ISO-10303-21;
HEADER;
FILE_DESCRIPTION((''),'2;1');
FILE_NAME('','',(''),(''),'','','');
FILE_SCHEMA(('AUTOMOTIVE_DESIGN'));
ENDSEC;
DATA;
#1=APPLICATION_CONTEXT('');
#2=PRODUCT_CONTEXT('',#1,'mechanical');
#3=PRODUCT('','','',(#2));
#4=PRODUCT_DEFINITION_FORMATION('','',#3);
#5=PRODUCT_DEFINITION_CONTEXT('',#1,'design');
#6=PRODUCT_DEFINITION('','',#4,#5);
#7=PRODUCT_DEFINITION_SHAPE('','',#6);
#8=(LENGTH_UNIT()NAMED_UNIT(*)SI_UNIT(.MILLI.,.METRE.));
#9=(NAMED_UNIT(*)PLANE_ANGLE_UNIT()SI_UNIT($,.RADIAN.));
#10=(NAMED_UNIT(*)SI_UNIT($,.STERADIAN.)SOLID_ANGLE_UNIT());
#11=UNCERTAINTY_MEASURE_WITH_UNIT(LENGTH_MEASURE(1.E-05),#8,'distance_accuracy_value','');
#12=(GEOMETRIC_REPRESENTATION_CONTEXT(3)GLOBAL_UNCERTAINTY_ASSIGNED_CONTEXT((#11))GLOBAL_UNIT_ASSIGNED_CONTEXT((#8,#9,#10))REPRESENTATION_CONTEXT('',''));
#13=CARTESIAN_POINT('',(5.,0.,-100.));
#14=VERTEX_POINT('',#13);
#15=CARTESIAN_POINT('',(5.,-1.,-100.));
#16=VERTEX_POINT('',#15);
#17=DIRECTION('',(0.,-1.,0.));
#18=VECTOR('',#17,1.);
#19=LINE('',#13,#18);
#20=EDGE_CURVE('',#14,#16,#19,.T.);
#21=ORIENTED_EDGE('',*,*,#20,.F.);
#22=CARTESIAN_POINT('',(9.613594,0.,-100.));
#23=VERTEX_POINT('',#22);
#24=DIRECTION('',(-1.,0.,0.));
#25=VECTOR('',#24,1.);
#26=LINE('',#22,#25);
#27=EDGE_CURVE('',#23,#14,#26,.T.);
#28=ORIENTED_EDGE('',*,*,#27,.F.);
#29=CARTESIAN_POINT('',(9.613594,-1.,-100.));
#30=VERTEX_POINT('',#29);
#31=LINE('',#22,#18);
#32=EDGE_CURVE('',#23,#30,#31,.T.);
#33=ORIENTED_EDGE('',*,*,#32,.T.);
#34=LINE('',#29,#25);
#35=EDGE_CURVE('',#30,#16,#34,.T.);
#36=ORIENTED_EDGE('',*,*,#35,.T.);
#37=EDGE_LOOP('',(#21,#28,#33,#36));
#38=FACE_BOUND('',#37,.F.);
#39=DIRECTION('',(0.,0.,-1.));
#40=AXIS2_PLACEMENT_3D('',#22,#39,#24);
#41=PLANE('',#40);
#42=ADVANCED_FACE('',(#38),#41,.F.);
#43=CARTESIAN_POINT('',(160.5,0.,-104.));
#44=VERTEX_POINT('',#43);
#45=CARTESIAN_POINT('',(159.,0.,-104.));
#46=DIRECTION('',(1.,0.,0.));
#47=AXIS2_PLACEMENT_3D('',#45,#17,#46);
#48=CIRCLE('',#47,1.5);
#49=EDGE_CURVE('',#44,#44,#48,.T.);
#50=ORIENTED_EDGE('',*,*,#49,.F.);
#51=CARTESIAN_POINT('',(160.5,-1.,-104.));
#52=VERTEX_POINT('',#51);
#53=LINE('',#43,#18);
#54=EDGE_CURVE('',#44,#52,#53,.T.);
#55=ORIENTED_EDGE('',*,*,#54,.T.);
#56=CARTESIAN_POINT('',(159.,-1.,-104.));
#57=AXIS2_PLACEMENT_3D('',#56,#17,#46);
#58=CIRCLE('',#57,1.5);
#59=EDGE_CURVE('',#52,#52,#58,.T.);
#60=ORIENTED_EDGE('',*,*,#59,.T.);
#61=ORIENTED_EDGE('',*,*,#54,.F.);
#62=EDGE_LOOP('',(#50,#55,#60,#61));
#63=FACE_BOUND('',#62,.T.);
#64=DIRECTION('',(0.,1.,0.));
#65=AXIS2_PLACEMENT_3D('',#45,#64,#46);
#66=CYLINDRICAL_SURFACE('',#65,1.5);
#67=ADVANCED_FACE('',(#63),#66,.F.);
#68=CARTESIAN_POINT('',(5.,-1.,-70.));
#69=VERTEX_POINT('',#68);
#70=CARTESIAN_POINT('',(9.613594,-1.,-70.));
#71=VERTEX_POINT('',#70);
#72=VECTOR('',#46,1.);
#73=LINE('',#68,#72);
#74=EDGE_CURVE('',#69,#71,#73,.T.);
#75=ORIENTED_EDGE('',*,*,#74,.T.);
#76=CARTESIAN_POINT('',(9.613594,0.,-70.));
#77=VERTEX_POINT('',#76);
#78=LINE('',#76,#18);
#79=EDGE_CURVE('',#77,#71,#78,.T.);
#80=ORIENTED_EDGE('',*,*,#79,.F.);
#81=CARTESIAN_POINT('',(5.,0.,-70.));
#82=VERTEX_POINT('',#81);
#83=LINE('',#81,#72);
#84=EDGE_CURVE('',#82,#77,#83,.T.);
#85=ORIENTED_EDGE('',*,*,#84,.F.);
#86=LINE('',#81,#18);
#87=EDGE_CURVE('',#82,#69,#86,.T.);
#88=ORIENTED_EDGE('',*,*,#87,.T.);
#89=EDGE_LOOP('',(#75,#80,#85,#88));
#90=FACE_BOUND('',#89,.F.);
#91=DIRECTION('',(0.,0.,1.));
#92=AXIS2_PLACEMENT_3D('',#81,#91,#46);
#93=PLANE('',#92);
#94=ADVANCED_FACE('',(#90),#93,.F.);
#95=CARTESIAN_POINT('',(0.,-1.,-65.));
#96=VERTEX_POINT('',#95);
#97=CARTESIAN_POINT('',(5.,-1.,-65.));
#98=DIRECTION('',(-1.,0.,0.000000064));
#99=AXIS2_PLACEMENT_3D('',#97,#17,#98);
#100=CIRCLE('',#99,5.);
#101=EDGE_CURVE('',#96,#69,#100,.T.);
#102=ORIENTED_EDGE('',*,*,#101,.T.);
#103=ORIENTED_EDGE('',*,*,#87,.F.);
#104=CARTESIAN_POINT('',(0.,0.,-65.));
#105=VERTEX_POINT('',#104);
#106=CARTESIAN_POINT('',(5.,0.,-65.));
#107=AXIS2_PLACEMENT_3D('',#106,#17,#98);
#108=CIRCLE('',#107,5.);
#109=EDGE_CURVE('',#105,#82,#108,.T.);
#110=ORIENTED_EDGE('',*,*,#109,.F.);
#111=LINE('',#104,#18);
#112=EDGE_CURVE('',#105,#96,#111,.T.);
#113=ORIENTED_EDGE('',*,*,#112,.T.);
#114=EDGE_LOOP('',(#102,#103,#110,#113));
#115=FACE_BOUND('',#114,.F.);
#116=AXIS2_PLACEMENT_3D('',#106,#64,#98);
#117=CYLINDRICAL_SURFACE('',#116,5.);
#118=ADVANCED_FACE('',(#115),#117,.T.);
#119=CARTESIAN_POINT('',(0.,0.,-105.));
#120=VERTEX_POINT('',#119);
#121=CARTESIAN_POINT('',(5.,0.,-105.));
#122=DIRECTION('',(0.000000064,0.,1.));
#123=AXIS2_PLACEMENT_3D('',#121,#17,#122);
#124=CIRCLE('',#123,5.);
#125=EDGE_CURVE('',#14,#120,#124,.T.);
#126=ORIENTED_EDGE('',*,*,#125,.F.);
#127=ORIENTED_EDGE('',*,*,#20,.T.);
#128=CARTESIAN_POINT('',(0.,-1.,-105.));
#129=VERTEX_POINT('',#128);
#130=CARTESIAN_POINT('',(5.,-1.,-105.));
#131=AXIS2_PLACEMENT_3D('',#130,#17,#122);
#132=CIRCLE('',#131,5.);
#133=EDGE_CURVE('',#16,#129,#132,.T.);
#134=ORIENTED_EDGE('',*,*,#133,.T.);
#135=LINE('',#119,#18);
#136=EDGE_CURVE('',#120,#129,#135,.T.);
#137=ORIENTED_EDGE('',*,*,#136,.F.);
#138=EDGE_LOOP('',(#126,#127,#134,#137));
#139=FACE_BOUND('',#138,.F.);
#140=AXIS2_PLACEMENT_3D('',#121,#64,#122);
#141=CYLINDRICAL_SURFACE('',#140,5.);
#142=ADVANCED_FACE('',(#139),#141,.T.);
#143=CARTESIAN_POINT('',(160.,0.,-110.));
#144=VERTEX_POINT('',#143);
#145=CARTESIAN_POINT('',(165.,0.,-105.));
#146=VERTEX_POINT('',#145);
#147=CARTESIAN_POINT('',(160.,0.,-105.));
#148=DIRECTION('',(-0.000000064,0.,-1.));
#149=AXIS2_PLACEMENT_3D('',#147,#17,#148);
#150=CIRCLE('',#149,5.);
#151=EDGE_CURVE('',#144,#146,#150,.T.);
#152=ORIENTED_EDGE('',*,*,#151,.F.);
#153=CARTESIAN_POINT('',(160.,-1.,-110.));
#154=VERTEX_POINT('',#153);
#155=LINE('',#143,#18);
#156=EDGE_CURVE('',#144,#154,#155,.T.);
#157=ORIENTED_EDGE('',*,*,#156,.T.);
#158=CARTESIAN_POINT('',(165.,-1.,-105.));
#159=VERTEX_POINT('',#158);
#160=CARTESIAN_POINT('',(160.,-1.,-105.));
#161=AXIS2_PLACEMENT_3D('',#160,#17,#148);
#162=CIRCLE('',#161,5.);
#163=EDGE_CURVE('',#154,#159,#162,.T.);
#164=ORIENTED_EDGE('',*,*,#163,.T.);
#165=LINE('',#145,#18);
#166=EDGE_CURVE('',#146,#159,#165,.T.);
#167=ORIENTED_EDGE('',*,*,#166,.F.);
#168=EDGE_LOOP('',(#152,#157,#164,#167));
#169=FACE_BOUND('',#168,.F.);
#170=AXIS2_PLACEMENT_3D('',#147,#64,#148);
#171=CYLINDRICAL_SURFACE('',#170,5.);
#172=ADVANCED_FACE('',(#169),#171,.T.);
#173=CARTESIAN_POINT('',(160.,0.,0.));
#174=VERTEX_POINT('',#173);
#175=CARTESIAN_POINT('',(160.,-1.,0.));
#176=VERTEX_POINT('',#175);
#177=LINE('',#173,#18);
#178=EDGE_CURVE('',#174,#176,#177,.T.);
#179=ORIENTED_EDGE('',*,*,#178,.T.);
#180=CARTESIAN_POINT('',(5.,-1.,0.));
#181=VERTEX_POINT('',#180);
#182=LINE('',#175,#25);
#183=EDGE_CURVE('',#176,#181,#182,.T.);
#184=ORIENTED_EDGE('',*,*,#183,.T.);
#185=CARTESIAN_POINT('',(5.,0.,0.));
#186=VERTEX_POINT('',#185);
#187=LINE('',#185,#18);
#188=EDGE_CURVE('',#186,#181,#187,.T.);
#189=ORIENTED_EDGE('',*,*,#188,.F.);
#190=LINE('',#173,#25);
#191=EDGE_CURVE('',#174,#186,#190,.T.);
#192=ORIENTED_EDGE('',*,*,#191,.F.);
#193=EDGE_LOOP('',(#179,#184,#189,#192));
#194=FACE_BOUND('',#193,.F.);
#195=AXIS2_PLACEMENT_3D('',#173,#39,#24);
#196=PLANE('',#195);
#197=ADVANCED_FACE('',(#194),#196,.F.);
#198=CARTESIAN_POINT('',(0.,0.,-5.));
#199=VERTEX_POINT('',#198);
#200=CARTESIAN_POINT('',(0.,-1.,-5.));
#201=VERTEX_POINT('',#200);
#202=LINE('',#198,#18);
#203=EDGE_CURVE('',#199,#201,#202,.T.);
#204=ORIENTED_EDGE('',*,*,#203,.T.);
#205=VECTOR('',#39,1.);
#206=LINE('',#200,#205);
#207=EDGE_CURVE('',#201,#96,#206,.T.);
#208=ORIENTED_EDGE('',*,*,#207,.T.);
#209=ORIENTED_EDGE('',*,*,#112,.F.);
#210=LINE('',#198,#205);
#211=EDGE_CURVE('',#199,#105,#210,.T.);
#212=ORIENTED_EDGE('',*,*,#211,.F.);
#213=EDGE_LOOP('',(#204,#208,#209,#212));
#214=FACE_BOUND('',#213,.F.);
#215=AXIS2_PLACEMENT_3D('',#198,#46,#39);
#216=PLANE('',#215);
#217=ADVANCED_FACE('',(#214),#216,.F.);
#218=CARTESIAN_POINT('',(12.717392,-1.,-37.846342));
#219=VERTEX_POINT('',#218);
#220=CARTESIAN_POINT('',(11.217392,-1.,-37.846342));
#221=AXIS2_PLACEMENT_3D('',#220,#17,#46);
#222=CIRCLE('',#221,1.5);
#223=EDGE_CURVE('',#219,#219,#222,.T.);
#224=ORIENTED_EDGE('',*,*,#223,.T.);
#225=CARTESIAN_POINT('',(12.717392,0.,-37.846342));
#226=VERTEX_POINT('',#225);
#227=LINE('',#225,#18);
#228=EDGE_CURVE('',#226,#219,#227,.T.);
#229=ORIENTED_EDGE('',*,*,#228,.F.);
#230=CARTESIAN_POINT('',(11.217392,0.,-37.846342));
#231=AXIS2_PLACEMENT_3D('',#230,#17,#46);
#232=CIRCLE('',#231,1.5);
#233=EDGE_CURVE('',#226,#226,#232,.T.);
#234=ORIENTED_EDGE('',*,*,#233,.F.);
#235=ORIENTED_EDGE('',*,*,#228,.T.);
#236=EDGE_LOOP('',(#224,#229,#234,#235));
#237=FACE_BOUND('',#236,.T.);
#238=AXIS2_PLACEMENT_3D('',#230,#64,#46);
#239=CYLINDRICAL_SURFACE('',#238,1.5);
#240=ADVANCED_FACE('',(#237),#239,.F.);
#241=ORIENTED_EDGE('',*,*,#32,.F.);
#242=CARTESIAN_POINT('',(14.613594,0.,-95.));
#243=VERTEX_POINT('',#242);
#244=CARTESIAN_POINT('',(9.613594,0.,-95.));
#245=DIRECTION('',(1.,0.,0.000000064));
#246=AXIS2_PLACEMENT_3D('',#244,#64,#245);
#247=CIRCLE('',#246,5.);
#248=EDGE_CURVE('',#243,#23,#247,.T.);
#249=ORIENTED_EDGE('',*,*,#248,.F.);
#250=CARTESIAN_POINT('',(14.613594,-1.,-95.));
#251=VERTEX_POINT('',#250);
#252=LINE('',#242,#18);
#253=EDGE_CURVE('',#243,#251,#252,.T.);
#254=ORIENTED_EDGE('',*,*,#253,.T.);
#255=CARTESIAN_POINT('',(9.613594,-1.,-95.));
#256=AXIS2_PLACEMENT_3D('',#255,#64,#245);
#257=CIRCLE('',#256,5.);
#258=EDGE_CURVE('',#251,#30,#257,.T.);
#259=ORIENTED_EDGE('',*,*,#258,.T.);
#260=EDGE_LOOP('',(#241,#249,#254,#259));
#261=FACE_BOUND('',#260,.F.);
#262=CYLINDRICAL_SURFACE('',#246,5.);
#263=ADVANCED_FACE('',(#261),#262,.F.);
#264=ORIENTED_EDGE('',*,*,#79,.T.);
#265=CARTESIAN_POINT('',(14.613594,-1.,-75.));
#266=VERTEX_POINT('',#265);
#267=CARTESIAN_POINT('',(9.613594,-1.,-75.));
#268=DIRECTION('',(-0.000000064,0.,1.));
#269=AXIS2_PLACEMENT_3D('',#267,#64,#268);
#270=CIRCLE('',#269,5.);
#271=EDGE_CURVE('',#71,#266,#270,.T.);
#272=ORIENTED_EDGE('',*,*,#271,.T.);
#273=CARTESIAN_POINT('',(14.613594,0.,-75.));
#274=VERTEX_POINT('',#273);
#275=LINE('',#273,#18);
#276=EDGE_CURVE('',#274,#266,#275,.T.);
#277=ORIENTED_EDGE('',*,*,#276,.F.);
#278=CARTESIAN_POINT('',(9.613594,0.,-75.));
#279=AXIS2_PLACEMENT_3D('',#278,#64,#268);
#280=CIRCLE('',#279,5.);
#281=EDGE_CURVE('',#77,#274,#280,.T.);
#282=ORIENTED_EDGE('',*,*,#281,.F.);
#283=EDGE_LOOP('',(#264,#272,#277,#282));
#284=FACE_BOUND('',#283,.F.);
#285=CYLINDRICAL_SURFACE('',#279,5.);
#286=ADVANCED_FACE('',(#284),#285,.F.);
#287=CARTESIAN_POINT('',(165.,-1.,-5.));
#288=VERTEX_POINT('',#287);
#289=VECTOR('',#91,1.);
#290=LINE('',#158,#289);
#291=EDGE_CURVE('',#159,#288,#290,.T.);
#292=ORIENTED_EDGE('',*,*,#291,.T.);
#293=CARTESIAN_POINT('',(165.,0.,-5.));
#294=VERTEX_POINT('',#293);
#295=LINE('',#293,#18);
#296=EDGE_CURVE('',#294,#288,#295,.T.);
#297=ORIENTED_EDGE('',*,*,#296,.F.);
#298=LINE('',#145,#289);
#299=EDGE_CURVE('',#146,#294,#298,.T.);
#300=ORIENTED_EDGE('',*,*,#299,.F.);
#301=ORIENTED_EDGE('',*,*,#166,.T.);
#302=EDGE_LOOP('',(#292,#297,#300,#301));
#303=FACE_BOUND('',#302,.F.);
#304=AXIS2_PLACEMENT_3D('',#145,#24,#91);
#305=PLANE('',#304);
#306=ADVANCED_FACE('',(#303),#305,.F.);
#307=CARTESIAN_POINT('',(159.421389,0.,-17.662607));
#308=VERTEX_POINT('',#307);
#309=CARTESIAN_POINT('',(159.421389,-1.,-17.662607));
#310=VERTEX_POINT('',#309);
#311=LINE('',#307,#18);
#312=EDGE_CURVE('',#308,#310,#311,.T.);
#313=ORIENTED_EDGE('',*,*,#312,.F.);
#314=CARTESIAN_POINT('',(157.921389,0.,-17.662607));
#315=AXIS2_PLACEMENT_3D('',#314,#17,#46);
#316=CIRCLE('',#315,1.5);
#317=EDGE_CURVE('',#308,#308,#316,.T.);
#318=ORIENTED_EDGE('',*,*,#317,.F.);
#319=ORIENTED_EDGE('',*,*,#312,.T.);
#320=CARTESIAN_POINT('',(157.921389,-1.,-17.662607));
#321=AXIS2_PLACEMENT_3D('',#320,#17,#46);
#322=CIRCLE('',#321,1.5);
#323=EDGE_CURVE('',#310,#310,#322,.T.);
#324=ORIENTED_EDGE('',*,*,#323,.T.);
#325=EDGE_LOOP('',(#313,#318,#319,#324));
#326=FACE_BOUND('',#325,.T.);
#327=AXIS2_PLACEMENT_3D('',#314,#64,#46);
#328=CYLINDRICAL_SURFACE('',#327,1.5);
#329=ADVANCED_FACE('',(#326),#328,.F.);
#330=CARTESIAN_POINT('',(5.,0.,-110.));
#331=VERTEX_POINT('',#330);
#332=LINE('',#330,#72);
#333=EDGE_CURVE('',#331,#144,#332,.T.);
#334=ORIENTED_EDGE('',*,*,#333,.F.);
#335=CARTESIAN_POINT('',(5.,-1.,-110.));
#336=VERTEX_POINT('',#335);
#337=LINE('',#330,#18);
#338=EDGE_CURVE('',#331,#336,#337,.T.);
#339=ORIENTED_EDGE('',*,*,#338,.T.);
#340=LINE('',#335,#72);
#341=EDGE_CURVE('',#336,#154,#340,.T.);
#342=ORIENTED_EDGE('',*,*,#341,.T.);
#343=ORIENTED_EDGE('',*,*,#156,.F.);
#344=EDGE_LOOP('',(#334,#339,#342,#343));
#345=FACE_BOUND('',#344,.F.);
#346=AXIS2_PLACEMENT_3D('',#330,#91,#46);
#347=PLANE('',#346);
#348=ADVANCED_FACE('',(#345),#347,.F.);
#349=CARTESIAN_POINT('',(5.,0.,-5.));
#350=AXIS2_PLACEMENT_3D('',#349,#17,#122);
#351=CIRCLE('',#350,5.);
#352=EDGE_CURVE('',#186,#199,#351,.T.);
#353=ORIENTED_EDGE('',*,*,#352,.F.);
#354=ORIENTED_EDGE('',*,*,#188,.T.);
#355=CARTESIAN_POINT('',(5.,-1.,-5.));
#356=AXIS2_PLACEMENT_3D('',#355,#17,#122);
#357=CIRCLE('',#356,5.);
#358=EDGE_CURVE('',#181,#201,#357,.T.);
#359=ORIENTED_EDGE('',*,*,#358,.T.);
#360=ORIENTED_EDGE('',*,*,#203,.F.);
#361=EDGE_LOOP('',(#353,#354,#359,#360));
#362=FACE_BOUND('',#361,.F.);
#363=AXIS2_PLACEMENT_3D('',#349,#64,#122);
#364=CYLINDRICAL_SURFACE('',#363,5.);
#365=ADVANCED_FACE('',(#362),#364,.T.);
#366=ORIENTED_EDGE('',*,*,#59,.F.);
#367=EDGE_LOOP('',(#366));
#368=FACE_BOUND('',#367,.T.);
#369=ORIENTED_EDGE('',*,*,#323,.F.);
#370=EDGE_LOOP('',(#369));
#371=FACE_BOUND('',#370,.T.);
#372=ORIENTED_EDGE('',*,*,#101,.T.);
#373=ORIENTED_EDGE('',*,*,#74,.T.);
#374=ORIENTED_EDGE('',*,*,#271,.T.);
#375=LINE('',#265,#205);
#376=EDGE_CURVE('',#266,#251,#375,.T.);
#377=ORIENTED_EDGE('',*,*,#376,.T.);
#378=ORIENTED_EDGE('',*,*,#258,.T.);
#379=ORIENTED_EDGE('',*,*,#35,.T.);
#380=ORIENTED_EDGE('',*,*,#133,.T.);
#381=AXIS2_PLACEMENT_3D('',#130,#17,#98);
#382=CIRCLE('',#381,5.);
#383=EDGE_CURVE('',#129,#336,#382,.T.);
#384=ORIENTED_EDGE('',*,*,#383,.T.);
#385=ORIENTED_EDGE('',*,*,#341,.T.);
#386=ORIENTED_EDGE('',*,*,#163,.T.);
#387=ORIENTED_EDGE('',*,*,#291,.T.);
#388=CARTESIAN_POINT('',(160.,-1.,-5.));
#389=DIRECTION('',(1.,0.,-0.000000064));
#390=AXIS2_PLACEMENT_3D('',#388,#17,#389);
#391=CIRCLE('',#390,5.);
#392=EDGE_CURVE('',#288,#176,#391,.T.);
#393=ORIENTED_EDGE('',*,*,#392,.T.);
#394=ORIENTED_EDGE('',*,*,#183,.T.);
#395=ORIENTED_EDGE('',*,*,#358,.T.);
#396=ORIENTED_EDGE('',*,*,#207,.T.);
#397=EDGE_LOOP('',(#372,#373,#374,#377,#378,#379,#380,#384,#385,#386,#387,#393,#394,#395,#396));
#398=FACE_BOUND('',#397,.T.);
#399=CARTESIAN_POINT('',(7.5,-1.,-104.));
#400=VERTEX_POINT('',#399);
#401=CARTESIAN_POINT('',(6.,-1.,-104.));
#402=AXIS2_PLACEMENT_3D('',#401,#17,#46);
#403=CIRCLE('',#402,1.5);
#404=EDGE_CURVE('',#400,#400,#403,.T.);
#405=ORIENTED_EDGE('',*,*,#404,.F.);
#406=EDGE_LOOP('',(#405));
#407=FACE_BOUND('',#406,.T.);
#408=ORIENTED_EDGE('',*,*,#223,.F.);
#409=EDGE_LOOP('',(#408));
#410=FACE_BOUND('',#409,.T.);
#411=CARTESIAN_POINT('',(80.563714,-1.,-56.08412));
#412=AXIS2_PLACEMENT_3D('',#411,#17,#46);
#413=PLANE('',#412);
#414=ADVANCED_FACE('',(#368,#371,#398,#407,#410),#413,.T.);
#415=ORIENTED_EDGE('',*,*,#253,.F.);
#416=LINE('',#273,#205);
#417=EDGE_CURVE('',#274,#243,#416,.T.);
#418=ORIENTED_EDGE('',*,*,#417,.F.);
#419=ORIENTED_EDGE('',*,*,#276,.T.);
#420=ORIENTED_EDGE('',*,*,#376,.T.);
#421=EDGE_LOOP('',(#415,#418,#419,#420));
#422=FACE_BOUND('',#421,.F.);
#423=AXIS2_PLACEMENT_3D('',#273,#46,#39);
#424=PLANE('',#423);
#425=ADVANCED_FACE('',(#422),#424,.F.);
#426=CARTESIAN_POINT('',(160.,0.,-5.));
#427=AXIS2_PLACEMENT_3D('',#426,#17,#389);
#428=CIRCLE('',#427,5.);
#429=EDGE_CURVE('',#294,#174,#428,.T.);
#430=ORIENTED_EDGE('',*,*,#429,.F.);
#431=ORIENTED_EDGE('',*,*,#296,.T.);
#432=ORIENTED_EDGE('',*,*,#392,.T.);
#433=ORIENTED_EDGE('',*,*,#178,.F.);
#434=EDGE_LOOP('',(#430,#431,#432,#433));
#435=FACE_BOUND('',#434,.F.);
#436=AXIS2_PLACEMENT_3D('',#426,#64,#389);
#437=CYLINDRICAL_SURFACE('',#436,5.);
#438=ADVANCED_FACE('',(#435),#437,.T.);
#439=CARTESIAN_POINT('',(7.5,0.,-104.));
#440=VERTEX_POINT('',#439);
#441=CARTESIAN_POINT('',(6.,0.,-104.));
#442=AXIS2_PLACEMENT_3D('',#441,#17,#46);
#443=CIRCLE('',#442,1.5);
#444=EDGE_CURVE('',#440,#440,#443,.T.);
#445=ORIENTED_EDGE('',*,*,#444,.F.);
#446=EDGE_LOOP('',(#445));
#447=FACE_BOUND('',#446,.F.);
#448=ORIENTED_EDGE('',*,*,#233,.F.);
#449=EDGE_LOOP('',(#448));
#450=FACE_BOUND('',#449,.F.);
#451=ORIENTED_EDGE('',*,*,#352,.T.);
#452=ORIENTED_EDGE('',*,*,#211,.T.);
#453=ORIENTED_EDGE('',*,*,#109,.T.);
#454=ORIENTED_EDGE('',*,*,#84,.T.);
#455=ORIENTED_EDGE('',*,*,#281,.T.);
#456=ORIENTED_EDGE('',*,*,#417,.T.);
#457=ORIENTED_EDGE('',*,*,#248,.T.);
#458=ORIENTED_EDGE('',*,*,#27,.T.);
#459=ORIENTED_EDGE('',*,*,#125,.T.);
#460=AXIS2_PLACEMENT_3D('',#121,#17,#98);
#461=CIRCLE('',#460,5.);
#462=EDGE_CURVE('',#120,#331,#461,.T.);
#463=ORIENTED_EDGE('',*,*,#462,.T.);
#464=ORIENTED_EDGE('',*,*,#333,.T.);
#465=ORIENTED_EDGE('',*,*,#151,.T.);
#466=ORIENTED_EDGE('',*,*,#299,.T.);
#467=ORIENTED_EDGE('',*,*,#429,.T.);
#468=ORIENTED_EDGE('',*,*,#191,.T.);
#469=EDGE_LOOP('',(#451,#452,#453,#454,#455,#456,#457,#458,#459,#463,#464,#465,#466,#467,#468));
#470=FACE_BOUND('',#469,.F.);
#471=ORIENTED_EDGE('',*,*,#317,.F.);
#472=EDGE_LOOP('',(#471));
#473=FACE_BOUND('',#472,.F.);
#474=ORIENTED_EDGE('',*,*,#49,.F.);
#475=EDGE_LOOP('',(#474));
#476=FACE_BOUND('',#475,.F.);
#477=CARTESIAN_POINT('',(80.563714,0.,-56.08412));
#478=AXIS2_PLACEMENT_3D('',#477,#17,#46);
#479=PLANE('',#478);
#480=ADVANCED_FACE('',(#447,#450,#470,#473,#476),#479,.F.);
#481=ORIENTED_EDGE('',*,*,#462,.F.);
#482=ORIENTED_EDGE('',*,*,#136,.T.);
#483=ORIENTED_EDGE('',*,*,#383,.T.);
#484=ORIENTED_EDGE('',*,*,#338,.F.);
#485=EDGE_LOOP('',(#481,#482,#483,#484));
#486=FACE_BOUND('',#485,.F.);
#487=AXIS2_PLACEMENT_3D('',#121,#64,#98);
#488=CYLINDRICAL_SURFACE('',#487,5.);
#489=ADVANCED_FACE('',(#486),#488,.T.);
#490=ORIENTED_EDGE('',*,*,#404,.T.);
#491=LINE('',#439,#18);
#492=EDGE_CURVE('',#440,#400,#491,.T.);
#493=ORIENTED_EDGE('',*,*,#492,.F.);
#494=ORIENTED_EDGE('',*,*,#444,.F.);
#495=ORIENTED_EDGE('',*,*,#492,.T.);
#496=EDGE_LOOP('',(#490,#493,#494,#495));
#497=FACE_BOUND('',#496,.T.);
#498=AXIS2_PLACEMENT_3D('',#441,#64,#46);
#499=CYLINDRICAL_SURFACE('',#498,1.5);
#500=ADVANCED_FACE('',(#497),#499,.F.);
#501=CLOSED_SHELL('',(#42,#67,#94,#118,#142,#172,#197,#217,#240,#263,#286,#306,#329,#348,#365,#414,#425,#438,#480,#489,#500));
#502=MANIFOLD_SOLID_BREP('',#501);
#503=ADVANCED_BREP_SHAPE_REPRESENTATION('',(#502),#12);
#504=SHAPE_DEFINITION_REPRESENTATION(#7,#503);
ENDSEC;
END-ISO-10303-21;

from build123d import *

# Parameters (mm, degrees)
F0_R     = 1.5
F1_DEPTH = 1


with BuildPart() as f1:
    # F0 (on Front) → F1 (new body)
    with BuildSketch(Plane.XZ):
        with BuildLine():
            Line((160, 0), (5, 0))
            ThreePointArc((5, 0), (1.464466, -1.464466), (0, -5))
            Line((0, -5), (0, -45))
            Line((0, -45), (0, -65))
            ThreePointArc((0, -65), (1.464466, -68.535534), (5, -70))
            Line((5, -70), (9.613594, -70))
            ThreePointArc((9.613594, -70), (13.149128, -71.464466), (14.613594, -75))
            Line((14.613594, -75), (14.613594, -95))
            ThreePointArc((14.613594, -95), (13.149128, -98.535534), (9.613594, -100))
            Line((9.613594, -100), (5, -100))
            ThreePointArc((5, -100), (1.464466, -101.464466), (0, -105))
            ThreePointArc((0, -105), (1.464466, -108.535534), (5, -110))
            Line((5, -110), (6, -110))
            Line((6, -110), (160, -110))
            ThreePointArc((160, -110), (163.535534, -108.535534), (165, -105))
            Line((165, -105), (165, -5))
            ThreePointArc((165, -5), (163.535534, -1.464466), (160, 0))
        make_face()
        with Locations((6, -104)):
            Circle(F0_R, mode=Mode.SUBTRACT)
        with Locations((159, -104)):
            Circle(F0_R, mode=Mode.SUBTRACT)
        with Locations((11.217392, -37.846342)):
            Circle(F0_R, mode=Mode.SUBTRACT)
        with Locations((157.921389, -17.662607)):
            Circle(F0_R, mode=Mode.SUBTRACT)
    extrude(amount=F1_DEPTH)


solid = f1.part
